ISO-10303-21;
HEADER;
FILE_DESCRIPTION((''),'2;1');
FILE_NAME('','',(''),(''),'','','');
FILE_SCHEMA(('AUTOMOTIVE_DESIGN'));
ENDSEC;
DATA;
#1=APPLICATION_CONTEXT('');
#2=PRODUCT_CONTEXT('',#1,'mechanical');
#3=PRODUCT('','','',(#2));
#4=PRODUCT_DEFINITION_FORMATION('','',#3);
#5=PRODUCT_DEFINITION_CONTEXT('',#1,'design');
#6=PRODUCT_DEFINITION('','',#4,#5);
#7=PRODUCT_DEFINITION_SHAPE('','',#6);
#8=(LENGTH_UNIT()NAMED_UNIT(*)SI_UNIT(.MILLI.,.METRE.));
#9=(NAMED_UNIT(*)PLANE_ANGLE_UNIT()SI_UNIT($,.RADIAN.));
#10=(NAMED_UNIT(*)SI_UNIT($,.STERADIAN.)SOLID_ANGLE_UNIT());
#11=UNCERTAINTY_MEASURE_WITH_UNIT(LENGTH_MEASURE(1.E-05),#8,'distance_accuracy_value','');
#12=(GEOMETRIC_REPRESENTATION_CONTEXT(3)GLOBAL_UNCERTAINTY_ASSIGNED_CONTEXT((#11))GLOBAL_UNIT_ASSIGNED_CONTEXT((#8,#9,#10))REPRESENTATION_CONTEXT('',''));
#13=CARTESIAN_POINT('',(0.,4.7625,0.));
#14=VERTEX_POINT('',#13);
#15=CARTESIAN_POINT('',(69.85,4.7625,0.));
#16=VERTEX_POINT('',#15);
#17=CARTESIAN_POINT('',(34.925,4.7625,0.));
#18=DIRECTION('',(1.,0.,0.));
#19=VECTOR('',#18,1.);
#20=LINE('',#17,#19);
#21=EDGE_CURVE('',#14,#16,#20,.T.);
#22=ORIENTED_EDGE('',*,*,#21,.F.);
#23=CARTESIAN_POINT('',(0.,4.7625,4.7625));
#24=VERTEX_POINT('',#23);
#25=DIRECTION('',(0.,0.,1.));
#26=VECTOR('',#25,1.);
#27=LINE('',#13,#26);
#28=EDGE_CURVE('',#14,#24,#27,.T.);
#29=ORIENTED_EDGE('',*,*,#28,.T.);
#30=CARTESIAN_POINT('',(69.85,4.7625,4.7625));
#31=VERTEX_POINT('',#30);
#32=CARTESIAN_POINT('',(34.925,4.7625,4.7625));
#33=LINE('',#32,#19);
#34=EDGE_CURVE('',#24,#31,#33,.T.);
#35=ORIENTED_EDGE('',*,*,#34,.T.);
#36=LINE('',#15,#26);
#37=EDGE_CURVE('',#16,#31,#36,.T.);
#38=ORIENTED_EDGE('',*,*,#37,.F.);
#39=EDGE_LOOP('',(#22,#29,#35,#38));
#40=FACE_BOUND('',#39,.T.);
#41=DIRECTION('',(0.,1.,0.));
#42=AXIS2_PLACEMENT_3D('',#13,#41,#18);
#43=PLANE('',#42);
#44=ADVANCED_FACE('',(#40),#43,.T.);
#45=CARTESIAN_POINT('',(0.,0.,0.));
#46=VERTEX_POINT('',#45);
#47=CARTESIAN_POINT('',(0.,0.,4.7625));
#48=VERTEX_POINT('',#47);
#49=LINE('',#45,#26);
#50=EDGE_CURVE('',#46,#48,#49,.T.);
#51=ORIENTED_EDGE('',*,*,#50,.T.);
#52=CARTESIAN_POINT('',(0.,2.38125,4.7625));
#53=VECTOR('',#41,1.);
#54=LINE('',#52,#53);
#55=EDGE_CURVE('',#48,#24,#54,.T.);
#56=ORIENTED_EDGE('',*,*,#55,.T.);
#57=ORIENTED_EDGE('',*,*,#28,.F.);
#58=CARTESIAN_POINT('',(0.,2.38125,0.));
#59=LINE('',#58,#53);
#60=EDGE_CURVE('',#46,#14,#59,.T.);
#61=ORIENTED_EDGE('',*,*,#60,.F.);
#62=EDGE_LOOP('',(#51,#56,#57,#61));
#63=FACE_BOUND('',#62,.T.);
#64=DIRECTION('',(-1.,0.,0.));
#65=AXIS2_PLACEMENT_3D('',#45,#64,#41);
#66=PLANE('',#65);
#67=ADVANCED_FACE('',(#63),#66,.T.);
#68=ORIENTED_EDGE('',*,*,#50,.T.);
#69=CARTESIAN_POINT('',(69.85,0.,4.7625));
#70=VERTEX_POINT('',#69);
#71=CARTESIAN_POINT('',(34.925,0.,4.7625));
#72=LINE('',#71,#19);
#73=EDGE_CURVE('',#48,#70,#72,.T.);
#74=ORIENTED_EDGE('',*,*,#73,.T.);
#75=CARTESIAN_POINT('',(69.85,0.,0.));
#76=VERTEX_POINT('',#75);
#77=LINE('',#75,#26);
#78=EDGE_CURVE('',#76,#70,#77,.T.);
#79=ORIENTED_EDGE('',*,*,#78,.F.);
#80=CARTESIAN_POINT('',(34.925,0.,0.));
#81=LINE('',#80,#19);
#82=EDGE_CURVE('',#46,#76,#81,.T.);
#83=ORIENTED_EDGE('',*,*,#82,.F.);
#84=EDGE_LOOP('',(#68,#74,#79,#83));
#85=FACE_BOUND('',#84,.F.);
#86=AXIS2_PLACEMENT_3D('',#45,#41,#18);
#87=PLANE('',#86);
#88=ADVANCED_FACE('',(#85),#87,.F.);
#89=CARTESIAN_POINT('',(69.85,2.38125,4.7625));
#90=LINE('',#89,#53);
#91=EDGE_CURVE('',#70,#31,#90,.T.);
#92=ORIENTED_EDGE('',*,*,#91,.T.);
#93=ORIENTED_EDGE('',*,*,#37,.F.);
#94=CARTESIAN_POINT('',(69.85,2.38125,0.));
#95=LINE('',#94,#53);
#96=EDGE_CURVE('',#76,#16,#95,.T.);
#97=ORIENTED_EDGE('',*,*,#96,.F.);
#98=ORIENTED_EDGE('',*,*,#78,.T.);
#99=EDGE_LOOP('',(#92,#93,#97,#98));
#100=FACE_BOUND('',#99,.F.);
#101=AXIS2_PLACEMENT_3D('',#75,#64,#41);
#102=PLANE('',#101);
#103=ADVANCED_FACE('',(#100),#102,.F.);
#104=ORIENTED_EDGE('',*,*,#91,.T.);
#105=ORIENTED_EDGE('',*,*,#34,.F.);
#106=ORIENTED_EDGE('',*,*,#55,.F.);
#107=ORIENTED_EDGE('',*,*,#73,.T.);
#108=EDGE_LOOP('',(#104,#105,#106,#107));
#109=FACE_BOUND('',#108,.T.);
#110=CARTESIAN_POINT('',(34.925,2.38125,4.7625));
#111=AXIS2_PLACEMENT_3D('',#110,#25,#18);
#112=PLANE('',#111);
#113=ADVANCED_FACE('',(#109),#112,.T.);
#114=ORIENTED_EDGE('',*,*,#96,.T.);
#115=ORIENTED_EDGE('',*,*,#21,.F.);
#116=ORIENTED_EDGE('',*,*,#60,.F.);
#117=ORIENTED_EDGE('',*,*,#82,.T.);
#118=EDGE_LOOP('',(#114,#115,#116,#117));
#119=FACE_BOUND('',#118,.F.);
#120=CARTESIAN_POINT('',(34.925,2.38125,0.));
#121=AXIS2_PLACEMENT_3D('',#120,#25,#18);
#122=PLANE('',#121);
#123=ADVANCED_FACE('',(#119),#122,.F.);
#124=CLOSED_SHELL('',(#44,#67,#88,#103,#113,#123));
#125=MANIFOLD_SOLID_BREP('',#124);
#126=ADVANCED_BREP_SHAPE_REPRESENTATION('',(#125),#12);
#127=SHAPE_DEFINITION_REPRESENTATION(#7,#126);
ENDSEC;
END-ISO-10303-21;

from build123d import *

# Parameters (mm, degrees)
SKETCH_W  = 69.85
SKETCH_H  = 4.7625
PAD_DEPTH = 4.7625


with BuildPart() as part:
    # Sketch → Pad (new body)
    with BuildSketch(Plane.XY):
        with Locations((34.925, 2.38125)):
            Rectangle(SKETCH_W, SKETCH_H)
    extrude(amount=PAD_DEPTH)


solid = part.part
